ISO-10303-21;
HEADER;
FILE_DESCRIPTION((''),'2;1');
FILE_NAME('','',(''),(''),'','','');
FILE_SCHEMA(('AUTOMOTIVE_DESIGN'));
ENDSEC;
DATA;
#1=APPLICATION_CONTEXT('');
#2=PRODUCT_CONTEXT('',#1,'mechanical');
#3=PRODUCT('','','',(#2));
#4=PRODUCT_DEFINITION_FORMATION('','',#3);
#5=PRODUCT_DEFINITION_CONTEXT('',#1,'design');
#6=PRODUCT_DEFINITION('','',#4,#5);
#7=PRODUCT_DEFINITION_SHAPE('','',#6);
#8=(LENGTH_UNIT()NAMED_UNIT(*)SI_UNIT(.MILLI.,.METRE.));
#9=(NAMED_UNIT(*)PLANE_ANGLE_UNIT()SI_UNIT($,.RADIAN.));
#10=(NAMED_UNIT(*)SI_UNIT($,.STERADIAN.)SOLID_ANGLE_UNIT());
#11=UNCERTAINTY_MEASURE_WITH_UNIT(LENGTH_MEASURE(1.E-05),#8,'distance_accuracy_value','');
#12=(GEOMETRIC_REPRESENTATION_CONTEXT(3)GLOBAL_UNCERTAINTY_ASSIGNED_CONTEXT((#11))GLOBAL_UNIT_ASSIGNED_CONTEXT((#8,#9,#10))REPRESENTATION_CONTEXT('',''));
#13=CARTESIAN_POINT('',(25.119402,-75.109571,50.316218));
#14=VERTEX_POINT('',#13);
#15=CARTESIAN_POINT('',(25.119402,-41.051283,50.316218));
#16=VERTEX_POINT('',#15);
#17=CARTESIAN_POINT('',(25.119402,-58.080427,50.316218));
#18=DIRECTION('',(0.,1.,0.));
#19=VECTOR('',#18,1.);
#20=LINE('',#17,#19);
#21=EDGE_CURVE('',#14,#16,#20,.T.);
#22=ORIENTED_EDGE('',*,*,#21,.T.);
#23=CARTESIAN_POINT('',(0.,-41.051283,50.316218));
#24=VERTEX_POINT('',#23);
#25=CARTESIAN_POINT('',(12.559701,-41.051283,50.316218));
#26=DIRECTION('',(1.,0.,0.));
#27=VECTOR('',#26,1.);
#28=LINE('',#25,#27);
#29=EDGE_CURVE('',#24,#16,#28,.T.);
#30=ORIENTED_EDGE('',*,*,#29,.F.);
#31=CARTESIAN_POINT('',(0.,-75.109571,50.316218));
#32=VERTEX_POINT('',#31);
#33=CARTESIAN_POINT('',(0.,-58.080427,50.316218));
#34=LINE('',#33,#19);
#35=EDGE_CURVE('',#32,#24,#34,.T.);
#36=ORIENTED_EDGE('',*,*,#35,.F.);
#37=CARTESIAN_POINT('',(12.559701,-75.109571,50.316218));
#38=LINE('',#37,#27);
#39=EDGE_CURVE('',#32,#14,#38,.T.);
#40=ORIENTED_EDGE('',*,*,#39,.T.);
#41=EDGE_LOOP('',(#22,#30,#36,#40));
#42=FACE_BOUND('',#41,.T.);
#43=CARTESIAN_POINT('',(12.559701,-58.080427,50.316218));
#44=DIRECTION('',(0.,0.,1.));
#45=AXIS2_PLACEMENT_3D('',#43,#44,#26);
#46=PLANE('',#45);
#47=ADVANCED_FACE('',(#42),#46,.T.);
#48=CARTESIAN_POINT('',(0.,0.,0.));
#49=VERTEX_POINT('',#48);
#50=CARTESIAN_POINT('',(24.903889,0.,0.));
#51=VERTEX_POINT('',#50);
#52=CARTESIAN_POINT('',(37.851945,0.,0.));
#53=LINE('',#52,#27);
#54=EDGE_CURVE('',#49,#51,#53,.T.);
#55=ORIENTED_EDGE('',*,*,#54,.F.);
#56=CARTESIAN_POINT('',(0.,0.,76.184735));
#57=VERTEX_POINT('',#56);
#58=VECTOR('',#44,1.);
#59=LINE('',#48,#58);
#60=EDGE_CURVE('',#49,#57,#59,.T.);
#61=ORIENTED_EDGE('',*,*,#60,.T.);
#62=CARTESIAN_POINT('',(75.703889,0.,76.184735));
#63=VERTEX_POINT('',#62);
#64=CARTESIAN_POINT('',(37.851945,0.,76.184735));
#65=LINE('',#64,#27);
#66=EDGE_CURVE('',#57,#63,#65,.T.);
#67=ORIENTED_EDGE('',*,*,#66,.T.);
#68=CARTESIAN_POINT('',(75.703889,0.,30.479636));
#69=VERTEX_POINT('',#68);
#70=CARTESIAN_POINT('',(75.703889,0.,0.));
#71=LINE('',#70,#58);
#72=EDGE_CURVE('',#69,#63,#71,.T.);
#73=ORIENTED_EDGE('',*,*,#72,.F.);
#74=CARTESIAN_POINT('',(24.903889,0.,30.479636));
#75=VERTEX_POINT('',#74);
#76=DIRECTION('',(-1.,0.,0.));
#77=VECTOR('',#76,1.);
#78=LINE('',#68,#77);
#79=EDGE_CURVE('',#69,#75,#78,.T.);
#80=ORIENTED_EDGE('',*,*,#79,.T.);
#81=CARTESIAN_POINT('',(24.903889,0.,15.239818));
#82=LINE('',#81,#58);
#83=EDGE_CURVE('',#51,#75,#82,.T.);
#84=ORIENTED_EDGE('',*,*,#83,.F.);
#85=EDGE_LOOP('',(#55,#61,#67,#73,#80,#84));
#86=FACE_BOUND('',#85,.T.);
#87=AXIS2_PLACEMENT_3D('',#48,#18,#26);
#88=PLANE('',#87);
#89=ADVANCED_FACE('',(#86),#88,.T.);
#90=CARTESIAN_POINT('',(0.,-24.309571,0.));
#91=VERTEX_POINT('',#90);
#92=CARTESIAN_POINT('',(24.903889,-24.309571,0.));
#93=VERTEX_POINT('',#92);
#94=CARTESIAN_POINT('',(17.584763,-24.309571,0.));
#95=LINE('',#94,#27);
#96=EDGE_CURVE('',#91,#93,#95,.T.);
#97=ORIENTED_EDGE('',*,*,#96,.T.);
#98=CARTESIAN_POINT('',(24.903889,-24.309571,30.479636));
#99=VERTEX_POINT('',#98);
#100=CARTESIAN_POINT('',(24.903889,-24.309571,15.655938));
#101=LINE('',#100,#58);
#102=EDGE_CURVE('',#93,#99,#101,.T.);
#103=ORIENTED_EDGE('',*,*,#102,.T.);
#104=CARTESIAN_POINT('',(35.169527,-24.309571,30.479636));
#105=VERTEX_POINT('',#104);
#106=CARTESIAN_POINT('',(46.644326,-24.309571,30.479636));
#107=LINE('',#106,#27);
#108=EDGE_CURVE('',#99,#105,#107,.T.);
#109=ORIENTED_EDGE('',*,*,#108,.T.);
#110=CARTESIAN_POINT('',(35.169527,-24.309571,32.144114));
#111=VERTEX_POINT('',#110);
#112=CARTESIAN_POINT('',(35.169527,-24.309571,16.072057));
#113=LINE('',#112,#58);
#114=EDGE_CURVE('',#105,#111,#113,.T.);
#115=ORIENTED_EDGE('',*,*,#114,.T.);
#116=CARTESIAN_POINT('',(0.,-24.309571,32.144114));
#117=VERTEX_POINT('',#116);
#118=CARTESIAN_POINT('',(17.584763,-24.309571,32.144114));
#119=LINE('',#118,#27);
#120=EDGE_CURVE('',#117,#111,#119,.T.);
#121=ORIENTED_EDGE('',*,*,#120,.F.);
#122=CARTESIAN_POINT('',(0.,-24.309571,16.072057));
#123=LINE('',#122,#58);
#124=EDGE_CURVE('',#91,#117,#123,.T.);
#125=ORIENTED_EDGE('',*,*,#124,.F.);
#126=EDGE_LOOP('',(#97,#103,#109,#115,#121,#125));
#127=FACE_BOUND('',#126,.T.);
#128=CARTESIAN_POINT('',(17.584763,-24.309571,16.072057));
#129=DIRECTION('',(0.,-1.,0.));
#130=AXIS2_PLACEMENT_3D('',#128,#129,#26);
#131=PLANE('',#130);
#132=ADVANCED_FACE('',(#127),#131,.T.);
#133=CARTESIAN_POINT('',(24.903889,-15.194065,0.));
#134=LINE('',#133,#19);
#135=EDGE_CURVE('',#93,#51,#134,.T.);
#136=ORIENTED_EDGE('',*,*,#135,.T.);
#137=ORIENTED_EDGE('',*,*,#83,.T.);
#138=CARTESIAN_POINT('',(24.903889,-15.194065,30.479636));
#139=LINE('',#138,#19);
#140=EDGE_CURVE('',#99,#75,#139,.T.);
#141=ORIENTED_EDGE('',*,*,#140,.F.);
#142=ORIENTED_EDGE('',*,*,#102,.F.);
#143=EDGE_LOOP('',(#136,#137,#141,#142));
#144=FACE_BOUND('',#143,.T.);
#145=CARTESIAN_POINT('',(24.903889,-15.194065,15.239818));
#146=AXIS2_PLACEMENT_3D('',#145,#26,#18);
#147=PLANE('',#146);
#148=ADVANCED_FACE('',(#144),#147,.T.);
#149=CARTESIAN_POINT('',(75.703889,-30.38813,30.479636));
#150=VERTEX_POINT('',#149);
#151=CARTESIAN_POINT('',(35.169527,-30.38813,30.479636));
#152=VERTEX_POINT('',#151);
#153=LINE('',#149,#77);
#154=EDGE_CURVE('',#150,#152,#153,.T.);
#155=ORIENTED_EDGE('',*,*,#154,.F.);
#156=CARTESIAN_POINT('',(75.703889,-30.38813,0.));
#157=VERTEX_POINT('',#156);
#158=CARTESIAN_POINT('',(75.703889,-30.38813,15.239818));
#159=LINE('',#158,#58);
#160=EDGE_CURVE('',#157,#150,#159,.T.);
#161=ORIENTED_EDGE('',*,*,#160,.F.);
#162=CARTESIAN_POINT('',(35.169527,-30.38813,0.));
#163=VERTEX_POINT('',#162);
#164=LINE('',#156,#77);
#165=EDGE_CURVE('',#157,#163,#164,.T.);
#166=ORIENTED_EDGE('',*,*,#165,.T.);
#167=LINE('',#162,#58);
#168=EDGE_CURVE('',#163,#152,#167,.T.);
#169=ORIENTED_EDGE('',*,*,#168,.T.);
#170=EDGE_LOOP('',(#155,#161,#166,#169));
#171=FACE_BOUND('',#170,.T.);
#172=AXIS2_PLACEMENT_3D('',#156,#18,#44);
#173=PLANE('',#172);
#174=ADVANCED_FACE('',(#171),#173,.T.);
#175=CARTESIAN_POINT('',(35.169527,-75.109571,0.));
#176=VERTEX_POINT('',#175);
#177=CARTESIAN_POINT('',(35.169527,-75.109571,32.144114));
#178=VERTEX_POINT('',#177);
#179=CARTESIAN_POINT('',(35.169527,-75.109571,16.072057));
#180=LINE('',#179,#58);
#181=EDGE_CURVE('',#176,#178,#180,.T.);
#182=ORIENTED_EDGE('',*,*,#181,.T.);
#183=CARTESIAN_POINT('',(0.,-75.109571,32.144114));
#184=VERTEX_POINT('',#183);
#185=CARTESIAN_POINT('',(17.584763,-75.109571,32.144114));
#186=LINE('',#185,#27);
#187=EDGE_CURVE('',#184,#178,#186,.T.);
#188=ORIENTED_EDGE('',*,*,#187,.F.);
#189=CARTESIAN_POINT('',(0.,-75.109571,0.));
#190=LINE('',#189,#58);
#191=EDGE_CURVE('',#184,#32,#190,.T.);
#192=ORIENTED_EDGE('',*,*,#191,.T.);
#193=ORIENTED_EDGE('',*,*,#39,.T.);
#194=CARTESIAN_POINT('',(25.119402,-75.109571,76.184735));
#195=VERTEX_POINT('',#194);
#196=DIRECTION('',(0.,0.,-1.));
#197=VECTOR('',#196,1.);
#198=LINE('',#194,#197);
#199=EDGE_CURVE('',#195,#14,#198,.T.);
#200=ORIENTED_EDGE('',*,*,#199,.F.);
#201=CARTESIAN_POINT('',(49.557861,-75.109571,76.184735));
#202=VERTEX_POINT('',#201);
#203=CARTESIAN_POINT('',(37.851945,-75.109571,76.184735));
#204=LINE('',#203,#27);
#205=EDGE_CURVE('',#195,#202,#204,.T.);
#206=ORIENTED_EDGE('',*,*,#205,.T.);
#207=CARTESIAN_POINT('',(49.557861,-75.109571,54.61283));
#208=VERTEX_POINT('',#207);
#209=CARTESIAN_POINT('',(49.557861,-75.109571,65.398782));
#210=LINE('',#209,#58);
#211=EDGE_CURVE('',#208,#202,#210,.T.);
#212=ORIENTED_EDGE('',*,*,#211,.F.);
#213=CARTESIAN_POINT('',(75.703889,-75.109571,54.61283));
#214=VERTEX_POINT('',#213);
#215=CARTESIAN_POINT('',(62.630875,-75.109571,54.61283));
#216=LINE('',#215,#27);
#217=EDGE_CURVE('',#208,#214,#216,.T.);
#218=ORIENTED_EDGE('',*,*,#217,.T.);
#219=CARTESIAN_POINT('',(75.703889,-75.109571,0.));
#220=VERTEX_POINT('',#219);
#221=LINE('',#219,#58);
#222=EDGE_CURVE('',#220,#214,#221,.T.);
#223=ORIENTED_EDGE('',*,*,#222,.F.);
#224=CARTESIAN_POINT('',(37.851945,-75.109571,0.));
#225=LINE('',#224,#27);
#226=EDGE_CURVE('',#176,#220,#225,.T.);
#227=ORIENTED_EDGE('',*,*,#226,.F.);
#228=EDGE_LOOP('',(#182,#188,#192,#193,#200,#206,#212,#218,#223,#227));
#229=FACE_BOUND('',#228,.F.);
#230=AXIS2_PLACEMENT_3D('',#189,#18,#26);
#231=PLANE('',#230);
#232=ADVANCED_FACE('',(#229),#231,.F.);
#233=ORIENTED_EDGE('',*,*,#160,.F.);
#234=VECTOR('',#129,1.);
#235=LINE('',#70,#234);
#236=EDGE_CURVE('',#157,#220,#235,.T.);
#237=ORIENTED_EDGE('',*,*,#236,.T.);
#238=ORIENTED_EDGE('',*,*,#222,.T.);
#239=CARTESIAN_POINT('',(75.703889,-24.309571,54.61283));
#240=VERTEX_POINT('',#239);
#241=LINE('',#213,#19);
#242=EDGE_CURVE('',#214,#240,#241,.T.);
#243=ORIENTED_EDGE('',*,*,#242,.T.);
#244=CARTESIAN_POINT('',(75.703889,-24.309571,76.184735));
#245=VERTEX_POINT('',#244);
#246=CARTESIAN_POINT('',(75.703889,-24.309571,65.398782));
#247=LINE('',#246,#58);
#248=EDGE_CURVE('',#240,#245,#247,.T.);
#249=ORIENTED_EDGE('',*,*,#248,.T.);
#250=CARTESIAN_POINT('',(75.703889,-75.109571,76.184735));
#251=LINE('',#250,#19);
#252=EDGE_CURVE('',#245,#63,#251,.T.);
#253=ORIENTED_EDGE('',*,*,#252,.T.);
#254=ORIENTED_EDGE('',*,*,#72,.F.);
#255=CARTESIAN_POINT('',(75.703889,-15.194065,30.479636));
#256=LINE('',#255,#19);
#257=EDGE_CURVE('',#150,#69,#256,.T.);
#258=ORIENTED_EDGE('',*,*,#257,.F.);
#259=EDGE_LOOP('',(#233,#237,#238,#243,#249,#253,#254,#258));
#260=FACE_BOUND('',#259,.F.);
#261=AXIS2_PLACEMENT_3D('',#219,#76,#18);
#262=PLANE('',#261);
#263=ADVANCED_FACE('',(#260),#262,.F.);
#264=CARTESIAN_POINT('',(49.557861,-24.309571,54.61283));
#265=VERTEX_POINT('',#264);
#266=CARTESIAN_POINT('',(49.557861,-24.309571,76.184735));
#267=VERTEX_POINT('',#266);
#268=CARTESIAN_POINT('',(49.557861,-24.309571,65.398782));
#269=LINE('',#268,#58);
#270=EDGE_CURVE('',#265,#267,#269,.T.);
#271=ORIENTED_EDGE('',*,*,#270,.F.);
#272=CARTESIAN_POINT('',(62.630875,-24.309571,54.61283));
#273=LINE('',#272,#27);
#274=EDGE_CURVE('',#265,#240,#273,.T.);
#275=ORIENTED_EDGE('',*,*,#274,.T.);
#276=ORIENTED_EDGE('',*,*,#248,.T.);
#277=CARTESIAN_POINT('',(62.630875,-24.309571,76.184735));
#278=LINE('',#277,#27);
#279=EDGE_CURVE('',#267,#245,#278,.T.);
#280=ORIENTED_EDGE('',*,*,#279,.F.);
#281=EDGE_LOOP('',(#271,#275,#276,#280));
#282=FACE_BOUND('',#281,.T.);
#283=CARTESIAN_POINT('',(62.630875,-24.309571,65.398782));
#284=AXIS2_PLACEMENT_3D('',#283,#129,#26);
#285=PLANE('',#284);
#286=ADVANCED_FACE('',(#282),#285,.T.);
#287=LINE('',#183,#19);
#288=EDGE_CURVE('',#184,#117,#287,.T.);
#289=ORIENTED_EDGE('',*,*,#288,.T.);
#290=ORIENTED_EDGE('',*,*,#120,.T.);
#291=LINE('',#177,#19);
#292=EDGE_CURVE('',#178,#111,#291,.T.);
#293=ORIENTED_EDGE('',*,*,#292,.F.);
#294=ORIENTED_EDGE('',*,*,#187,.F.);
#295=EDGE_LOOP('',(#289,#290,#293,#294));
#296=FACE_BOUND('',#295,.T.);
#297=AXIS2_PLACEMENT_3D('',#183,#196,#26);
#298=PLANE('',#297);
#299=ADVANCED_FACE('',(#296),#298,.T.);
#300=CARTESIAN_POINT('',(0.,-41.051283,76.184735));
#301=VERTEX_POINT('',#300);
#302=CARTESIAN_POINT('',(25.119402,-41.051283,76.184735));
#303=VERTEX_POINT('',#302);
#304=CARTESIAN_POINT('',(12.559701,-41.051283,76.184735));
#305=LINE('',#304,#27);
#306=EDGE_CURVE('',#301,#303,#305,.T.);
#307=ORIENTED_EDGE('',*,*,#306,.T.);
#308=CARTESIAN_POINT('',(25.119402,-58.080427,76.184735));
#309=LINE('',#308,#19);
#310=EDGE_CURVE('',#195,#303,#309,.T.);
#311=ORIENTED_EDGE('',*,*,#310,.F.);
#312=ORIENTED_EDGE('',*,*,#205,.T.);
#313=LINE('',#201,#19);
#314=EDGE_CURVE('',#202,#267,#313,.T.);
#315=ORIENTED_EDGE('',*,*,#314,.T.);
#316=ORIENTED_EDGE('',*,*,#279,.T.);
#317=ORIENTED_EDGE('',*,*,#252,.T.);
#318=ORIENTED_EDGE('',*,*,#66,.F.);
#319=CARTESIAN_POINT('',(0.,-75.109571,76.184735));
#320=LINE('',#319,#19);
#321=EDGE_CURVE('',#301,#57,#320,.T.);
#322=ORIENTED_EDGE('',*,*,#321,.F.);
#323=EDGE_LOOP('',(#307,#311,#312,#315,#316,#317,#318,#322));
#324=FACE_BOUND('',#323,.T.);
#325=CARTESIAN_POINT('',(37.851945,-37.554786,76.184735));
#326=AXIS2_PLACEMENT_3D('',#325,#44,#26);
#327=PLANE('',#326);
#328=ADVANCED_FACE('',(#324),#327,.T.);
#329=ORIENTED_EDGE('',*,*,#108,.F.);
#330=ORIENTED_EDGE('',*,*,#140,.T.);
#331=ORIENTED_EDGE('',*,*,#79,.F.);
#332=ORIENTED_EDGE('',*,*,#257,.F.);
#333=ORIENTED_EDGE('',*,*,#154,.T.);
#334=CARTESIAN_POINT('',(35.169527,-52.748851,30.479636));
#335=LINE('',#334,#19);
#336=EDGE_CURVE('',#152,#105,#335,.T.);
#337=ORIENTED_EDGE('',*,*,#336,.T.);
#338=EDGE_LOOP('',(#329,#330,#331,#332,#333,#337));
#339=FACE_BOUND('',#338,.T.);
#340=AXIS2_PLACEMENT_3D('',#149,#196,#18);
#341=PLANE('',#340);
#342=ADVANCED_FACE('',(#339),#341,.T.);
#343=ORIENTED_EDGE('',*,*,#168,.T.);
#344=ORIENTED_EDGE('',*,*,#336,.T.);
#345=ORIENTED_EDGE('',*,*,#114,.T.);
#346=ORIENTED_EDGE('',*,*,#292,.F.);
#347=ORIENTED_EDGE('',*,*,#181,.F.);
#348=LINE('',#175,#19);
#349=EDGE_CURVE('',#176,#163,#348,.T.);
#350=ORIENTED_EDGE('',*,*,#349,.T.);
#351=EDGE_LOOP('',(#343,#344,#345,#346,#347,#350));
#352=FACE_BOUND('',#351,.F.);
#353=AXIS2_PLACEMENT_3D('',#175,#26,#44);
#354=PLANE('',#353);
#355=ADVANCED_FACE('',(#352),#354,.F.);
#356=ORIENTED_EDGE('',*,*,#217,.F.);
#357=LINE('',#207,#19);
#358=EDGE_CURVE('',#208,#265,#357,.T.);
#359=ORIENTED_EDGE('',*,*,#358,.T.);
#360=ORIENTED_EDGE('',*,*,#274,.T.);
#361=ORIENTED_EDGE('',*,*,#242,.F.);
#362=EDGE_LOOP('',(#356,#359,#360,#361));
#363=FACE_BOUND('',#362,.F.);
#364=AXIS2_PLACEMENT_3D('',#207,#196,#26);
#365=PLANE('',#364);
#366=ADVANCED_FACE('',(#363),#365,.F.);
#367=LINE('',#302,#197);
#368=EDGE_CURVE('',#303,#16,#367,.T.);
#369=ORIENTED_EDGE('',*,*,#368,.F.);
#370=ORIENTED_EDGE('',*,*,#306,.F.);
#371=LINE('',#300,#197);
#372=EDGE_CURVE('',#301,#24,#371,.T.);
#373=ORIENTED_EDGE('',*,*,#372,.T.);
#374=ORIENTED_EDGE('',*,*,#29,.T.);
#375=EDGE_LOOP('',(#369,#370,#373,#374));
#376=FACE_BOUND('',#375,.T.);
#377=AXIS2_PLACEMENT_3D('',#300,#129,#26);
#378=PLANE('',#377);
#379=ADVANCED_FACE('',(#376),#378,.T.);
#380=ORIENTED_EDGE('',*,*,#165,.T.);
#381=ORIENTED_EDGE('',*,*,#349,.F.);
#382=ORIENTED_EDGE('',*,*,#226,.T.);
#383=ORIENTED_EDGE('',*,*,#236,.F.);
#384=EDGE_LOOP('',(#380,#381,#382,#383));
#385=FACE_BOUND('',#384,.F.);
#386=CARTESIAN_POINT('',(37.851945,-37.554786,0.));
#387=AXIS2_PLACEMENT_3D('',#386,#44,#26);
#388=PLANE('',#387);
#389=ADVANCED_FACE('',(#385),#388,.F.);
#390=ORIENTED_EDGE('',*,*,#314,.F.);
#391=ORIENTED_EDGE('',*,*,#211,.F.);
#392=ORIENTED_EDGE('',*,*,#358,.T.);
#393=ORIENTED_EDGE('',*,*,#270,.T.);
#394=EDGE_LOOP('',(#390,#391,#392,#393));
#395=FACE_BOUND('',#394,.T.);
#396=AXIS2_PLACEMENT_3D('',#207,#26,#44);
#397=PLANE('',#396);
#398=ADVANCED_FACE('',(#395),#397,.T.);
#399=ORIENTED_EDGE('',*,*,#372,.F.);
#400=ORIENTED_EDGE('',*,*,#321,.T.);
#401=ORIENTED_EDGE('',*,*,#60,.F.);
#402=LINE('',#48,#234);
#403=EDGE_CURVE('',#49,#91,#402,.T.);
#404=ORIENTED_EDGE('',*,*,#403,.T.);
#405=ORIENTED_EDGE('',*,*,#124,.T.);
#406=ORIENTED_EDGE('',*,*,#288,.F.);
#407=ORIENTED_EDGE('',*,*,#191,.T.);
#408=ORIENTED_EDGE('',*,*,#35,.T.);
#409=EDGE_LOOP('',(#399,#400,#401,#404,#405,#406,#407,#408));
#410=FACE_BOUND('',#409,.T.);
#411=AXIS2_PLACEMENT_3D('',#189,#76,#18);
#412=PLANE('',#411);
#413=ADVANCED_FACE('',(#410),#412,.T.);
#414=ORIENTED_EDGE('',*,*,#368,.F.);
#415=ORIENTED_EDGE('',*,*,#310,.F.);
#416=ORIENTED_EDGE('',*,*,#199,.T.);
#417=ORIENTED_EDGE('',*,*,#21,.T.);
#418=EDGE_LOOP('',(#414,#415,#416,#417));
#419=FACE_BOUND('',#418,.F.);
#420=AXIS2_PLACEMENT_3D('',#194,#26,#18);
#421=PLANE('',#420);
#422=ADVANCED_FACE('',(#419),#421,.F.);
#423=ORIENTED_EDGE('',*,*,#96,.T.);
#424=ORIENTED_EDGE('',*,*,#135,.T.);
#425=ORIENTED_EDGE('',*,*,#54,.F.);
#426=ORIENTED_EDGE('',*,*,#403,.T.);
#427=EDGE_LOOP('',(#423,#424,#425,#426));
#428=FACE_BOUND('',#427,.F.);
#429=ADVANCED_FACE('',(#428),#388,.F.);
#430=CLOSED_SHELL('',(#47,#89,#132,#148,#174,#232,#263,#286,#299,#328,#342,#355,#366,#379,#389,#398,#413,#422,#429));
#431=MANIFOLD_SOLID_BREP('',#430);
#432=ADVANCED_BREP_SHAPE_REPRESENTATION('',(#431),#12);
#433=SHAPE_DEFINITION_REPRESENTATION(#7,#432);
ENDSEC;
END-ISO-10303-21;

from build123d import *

# Parameters (mm, degrees)
F0_W      = 75.7038891315
F0_H      = 75.1095712185
F1_DEPTH  = 76.1847347021
F3_DEPTH  = 7.5595728122
F4_W      = 75.7038891315
F4_H      = 76.1847347021
F5_DEPTH  = 70.3715533018
F6_W      = 35.1695269346
F6_H      = 32.1441143751
F7_DEPTH  = 50.8
F8_W      = 26.1460281909
F8_H      = 21.5719044209
F9_DEPTH  = 50.8
F10_W     = 30.3881298751
F10_H     = 30.4796360433
F11_DEPTH = 50.8
F13_W     = 25.1194015145
F13_H     = 34.0582877398
F14_DEPTH = 25.8685164154


with BuildPart() as f1:
    # F0 (on Top) → F1 (new body)
    with BuildSketch(Plane.XY):
        with Locations((37.8519445658, -37.5547856092)):
            Rectangle(F0_W, F0_H)
    extrude(amount=F1_DEPTH)

    # F2 (on face) → F3 (join)
    with BuildSketch(Plane.XZ.offset(75.1095712185)):
        Polygon((75.7038891315, 0), (38.7951347365, 39.0415483477), (0, 0), align=None)
        Polygon((75.7038891315, 76.1847347021), (37.8519445658, 40.0392413139), (38.7951347365, 39.0415483477), align=None)
        Polygon((75.7038891315, 76.1847347021), (0, 76.1847347021), (37.8519445658, 40.0392413139), align=None)
    extrude(amount=-F3_DEPTH)

    # F4 (on face) → F5 (join)
    with BuildSketch(Plane.XZ.offset(75.1095712185)):
        with Locations((37.8519445658, 38.0923673511)):
            Rectangle(F4_W, F4_H)
    extrude(amount=-F5_DEPTH)

    # F6 (on face) → F7 (cut)
    with BuildSketch(Plane.XZ.offset(75.1095712185)):
        with Locations((17.5847634673, 16.0720571876)):
            Rectangle(F6_W, F6_H)
    extrude(amount=-F7_DEPTH, mode=Mode.SUBTRACT)

    # F8 (on face) → F9 (cut)
    with BuildSketch(Plane.XZ.offset(75.1095712185)):
        with Locations((62.6308750361, 65.3987824917)):
            Rectangle(F8_W, F8_H)
    extrude(amount=-F9_DEPTH, mode=Mode.SUBTRACT)

    # F10 (on face) → F11 (cut)
    with BuildSketch(Plane.YZ.offset(75.7038891315)):
        with Locations((-15.1940649375, 15.2398180217)):
            Rectangle(F10_W, F10_H)
    extrude(amount=-F11_DEPTH, mode=Mode.SUBTRACT)

    # F13 (on face) → F14 (cut)
    with BuildSketch(Plane.XY.offset(76.1847347021)):
        with Locations((12.5597007573, -58.0804273486)):
            Rectangle(F13_W, F13_H)
    extrude(amount=-F14_DEPTH, mode=Mode.SUBTRACT)


solid = f1.part
